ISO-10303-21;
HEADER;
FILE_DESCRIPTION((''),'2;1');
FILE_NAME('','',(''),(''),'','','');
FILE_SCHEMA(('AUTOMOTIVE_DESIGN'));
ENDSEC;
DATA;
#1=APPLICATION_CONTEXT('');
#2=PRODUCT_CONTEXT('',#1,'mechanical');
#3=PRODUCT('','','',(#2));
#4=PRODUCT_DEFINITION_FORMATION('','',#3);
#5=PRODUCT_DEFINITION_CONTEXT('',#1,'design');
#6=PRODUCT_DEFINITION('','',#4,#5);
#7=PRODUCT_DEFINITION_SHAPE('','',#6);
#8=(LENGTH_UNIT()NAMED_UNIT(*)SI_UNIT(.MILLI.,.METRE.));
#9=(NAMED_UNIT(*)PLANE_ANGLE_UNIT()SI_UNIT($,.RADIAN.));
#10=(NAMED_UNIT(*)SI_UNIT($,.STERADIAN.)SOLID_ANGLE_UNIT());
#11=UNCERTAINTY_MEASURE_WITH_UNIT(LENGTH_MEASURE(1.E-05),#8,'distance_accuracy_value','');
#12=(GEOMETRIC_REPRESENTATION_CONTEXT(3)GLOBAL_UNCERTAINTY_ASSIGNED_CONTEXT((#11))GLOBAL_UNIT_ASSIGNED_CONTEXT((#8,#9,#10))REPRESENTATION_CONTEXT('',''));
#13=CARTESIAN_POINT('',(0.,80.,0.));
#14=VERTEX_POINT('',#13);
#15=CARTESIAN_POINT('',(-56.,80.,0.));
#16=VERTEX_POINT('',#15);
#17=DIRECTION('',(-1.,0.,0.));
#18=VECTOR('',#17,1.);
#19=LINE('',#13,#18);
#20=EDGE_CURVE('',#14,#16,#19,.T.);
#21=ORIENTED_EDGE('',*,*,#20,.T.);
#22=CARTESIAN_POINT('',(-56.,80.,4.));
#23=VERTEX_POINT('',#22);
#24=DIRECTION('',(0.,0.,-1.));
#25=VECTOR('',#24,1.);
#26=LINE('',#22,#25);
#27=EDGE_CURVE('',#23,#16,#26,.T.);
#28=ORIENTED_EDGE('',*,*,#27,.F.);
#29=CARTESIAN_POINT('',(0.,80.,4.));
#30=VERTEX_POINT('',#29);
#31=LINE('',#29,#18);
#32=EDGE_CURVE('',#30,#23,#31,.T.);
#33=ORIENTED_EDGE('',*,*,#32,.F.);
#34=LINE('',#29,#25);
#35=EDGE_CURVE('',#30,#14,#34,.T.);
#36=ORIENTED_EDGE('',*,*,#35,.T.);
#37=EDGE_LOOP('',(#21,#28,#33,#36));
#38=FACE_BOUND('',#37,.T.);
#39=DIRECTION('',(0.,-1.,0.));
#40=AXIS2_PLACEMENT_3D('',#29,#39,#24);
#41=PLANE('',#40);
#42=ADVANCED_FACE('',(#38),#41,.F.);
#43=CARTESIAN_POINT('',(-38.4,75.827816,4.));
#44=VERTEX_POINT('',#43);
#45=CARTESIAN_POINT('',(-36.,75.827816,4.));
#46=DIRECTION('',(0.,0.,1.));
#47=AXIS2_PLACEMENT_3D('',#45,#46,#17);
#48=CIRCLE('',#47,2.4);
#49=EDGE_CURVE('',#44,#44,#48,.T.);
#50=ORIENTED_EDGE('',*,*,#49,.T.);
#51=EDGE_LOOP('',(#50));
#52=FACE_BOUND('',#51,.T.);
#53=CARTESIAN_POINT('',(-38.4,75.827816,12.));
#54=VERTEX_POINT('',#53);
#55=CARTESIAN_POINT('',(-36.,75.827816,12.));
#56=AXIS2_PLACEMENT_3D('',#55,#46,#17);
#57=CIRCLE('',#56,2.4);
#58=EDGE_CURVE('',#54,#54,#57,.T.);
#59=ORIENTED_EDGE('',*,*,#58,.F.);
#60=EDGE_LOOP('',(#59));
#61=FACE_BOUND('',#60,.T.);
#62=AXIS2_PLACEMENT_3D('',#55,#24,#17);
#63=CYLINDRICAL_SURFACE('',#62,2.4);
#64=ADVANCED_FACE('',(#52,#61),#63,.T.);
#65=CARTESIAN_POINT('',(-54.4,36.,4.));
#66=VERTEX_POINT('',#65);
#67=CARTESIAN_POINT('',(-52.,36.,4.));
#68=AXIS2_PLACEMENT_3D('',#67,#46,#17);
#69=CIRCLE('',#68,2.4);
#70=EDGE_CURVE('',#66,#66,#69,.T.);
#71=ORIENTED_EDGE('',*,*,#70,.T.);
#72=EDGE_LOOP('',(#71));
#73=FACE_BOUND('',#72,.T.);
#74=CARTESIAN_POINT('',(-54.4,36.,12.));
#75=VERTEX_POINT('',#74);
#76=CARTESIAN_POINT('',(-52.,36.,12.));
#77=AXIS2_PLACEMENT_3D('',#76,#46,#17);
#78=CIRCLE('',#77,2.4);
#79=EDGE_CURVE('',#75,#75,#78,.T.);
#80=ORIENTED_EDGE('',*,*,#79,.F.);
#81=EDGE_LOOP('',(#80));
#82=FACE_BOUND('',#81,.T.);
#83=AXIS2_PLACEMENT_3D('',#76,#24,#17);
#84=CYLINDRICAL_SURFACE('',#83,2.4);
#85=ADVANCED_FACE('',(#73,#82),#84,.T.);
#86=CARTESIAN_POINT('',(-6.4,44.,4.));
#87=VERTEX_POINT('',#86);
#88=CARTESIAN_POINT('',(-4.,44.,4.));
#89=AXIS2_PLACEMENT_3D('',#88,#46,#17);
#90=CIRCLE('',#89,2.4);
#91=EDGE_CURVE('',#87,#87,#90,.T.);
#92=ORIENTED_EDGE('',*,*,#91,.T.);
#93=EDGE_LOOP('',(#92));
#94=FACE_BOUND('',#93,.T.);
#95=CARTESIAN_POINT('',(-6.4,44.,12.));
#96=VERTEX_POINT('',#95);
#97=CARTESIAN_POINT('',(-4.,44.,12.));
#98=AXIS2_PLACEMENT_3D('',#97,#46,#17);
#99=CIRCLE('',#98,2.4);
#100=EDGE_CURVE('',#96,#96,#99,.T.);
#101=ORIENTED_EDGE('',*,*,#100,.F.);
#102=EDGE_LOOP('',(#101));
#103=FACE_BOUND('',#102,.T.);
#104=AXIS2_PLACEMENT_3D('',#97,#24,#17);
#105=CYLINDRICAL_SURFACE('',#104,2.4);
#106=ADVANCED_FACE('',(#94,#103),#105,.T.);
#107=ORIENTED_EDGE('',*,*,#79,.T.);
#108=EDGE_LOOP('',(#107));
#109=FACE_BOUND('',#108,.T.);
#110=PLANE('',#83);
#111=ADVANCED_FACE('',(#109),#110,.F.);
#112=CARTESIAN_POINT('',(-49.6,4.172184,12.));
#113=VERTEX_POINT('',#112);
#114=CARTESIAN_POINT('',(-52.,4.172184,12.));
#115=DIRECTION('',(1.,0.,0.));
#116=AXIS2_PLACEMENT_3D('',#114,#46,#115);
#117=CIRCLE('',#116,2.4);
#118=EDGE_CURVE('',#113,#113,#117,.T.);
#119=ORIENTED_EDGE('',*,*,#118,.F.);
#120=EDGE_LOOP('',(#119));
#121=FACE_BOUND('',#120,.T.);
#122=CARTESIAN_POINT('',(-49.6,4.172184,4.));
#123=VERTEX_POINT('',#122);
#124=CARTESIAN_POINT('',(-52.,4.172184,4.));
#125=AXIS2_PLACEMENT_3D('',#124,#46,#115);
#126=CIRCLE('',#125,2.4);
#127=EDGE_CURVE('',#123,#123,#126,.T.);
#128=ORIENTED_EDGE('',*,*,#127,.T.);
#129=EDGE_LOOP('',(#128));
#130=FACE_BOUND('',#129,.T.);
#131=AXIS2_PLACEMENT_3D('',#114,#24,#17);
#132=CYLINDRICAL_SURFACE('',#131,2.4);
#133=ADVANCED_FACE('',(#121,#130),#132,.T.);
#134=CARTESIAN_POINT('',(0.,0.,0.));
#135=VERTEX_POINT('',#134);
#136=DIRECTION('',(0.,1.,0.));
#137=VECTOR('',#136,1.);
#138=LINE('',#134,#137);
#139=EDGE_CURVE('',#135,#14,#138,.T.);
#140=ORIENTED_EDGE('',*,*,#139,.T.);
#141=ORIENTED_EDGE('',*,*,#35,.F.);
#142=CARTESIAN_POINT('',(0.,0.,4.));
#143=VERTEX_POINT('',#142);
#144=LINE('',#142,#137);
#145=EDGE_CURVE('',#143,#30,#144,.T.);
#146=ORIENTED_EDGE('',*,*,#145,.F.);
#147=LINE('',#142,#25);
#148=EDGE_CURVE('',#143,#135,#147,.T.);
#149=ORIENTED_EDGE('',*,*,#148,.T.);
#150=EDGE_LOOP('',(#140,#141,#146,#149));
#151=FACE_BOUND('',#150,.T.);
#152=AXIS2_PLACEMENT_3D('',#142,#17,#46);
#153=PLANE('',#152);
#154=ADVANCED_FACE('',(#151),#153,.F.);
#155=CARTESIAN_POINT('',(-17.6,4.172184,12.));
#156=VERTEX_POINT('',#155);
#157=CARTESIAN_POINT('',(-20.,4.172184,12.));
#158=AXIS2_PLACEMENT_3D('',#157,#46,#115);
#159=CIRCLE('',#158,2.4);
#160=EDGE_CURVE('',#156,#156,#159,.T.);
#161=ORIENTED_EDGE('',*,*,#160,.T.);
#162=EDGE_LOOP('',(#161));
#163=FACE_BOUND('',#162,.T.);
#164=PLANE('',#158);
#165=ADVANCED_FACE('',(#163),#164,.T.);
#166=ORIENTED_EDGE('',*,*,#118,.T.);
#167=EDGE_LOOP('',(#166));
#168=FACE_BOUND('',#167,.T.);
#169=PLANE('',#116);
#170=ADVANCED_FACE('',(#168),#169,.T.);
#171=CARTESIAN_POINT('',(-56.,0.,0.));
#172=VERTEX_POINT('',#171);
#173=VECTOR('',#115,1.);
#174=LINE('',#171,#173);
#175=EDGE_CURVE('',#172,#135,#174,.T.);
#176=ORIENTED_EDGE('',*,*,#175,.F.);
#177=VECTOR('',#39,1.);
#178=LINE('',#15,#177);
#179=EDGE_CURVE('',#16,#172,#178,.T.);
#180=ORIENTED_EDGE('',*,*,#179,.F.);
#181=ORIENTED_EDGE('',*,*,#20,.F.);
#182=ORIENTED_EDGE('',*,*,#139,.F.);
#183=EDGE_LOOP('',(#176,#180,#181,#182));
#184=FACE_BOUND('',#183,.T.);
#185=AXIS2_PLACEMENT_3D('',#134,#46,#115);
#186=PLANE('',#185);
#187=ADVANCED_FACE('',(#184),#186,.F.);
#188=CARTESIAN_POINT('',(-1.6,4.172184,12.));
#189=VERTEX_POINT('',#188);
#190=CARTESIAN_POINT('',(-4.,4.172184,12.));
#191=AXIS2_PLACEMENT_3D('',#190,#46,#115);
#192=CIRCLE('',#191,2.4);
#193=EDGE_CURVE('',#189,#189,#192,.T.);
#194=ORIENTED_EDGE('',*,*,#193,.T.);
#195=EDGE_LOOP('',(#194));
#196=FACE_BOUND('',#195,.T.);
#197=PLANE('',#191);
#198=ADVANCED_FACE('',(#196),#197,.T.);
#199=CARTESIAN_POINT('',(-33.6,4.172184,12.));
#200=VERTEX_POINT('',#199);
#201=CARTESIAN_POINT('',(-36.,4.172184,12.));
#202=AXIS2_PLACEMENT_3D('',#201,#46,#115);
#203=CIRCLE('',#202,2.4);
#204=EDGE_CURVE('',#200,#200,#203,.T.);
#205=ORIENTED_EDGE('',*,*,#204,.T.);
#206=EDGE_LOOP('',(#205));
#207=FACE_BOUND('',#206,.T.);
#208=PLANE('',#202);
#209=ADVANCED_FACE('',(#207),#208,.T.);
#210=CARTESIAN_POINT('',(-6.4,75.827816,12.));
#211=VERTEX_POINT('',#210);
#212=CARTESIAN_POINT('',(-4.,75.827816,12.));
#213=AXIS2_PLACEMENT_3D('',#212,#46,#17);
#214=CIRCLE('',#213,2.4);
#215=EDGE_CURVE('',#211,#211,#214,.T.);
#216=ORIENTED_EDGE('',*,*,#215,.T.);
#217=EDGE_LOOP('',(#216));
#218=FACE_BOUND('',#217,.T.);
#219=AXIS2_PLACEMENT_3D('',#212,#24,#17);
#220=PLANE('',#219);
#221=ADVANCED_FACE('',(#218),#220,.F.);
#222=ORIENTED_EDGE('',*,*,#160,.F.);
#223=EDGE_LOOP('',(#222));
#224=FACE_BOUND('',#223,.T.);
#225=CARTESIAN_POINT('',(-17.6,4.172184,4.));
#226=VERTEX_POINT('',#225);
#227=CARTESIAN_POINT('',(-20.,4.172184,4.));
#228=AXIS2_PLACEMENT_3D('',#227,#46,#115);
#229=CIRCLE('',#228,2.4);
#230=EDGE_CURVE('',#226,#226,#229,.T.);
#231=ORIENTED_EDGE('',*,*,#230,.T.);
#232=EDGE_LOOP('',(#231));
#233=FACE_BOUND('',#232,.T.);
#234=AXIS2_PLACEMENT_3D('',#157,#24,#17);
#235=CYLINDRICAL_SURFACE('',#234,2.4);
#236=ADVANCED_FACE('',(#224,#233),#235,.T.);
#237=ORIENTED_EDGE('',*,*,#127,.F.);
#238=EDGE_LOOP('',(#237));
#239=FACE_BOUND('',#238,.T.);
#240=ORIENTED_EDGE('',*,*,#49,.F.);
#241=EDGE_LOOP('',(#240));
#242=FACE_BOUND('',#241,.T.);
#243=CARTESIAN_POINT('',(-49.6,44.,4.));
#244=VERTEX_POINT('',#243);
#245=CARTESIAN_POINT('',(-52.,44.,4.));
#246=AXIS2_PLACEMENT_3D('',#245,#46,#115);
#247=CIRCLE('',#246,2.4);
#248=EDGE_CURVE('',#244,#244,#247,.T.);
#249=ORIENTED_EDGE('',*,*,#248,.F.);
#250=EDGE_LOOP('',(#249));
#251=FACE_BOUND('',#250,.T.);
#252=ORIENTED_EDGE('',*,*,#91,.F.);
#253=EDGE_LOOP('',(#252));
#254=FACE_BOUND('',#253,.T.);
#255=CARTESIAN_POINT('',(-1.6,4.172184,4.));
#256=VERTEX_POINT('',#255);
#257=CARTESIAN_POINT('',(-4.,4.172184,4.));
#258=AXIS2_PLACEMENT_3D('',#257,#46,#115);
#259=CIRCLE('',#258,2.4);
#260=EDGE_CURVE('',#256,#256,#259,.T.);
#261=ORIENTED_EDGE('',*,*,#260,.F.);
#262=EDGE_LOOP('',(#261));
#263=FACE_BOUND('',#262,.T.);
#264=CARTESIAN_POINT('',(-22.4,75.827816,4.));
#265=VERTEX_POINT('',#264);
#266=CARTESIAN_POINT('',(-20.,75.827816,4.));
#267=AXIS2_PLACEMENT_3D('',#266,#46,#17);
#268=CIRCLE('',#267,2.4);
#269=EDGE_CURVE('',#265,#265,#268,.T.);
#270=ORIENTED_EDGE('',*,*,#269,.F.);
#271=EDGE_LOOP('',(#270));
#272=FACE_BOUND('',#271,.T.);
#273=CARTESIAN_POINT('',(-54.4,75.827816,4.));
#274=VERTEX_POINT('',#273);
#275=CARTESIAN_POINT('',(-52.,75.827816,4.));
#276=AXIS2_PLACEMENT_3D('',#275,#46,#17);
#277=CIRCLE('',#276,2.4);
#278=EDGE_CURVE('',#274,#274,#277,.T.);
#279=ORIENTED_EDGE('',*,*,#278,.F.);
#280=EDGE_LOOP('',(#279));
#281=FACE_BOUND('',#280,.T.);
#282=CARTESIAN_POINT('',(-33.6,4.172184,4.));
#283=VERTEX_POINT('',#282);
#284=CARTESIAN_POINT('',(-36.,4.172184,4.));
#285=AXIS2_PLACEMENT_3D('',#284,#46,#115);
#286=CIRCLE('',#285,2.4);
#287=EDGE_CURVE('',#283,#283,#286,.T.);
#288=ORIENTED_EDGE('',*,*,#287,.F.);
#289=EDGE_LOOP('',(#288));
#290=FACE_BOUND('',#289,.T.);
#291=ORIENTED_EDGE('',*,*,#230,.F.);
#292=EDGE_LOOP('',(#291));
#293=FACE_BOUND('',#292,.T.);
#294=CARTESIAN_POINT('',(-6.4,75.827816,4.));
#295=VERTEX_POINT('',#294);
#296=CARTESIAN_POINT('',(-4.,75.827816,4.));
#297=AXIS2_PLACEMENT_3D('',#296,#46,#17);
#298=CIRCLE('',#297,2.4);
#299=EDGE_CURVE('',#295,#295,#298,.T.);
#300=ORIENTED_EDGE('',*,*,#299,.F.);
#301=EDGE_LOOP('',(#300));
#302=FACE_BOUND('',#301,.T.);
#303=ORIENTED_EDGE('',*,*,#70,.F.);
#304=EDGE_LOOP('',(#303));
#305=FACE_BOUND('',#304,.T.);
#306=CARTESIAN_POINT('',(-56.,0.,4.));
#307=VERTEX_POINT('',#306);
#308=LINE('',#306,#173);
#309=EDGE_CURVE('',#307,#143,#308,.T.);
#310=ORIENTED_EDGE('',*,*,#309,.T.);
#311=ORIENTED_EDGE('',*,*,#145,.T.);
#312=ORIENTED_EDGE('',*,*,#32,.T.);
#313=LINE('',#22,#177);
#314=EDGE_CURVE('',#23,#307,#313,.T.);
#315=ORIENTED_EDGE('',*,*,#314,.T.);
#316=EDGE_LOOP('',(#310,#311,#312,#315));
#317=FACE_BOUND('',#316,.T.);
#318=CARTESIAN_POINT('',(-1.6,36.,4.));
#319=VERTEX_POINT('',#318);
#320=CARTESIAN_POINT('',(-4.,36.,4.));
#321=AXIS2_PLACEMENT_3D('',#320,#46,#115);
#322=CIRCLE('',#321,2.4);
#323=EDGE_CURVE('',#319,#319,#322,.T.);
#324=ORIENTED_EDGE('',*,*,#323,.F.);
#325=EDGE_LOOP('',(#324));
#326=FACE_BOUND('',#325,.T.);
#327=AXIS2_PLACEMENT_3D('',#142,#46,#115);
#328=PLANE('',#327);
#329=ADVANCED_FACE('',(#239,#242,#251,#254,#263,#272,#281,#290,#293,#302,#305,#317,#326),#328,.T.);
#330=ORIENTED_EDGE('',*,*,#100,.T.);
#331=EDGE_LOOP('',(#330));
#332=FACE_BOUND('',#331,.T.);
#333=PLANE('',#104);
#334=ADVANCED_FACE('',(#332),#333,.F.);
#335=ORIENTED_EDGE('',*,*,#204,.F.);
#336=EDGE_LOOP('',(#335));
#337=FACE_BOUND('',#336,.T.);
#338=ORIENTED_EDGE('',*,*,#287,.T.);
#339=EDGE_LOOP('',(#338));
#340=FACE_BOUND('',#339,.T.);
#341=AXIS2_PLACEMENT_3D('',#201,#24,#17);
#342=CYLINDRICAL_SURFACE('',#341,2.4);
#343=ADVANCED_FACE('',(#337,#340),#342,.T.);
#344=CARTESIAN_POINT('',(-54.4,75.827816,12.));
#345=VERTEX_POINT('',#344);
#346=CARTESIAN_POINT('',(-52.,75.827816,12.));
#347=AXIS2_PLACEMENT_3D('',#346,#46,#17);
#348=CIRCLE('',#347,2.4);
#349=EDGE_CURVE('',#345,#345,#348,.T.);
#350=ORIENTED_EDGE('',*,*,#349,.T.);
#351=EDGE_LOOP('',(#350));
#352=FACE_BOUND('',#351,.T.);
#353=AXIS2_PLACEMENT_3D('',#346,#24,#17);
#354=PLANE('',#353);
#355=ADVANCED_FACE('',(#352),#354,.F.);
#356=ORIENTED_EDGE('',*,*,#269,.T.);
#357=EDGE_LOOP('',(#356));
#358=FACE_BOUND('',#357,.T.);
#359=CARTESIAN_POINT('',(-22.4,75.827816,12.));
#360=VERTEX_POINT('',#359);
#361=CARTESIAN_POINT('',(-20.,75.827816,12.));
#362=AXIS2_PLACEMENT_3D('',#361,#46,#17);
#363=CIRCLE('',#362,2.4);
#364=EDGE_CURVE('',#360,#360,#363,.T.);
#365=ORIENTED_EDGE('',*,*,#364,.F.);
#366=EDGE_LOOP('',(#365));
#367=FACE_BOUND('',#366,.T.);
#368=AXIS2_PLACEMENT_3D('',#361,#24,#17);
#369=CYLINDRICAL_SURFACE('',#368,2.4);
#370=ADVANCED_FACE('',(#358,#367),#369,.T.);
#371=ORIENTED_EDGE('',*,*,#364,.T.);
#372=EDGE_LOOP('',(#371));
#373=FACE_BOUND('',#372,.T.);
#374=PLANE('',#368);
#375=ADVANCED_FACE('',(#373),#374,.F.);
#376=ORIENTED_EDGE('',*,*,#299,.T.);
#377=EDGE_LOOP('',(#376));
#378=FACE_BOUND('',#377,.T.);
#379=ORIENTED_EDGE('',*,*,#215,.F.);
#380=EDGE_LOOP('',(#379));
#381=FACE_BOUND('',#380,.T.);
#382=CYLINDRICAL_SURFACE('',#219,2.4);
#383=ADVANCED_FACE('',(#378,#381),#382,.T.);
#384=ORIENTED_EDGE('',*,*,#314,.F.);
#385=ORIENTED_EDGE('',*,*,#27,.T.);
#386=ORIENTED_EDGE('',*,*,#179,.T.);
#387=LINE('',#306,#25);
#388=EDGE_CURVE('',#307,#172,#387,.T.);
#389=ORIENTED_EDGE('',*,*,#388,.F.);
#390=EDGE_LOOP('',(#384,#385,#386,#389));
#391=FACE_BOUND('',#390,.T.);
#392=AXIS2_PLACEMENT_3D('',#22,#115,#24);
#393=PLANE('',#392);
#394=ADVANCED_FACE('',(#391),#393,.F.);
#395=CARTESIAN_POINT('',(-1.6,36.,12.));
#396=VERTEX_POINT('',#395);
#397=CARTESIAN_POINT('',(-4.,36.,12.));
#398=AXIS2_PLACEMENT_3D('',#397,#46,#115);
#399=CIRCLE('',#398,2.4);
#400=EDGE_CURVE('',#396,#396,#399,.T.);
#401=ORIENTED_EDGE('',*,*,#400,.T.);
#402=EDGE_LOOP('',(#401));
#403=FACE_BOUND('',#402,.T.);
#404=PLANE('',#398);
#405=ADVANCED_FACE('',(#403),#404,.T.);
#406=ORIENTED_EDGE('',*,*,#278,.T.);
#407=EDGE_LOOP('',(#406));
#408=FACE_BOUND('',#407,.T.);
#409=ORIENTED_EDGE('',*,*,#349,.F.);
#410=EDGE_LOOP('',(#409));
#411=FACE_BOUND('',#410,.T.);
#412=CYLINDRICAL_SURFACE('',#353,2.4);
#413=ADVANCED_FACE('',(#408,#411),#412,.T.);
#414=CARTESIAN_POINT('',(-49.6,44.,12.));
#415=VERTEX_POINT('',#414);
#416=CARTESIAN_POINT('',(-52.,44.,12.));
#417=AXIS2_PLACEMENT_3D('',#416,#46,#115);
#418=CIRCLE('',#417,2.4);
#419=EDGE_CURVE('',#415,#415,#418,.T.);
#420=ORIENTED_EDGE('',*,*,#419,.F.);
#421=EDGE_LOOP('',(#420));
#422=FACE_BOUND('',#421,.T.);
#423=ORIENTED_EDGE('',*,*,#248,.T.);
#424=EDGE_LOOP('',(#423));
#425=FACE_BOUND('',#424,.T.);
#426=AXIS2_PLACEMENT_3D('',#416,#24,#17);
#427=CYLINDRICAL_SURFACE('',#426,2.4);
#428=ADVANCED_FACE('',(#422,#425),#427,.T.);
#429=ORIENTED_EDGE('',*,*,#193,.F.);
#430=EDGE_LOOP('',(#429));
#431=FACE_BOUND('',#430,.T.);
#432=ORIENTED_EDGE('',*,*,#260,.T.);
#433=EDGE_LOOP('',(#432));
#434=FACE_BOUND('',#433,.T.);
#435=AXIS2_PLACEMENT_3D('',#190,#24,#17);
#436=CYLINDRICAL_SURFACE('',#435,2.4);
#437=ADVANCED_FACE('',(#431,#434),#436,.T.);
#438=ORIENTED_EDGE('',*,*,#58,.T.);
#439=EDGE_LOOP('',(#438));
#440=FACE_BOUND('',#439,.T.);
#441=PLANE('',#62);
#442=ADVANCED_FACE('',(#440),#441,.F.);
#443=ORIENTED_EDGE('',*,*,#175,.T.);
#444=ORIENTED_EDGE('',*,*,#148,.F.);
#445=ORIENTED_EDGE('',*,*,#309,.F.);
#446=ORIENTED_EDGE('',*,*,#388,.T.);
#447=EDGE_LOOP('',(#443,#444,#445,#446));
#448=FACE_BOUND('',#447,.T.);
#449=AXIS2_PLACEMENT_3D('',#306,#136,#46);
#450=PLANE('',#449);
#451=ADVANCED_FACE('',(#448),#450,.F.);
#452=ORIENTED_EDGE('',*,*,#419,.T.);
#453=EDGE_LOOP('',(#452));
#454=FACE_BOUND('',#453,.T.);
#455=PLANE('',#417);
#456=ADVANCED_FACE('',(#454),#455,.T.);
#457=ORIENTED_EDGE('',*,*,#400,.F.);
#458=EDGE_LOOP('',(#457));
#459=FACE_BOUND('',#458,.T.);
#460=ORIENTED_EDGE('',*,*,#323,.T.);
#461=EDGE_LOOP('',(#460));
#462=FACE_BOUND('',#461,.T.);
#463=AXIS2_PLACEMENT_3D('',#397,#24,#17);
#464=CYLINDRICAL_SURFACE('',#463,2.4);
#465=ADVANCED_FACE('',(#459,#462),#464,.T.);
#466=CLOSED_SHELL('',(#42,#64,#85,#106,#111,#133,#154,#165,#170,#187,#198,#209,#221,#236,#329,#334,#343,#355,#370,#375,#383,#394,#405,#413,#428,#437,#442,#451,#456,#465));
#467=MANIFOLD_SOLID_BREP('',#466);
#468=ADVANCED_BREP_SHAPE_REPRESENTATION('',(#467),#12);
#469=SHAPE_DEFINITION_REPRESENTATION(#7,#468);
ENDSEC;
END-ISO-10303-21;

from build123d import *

# Parameters (mm, degrees)
SKETCH1_W           = 80
SKETCH1_H           = 56
BOSS_EXTRUDE1_DEPTH = 4
SKETCH2_R           = 2.4
BOSS_EXTRUDE2_DEPTH = 8


with BuildPart() as part:
    # Sketch1 → Boss-Extrude1 (new body)
    with BuildSketch(Plane(origin=(0, 0, 0), x_dir=(0, 1, 0), z_dir=(0, 0, 1))):
        with Locations((40, 28)):
            Rectangle(SKETCH1_W, SKETCH1_H)
    extrude(amount=BOSS_EXTRUDE1_DEPTH)

    # Sketch2 → Boss-Extrude2 (add)
    with BuildSketch(Plane.XY.offset(4)):
        with Locations((-4, 4.172184478)):
            Circle(SKETCH2_R)
        with Locations((-20, 4.172184478)):
            Circle(SKETCH2_R)
        with Locations((-36, 4.172184478)):
            Circle(SKETCH2_R)
        with Locations((-52, 4.172184478)):
            Circle(SKETCH2_R)
        with Locations(Location((-52, 75.827815522, 0), (0, 0, 180))):
            Circle(SKETCH2_R)
        with Locations(Location((-36, 75.827815522, 0), (0, 0, 180))):
            Circle(SKETCH2_R)
        with Locations(Location((-20, 75.827815522, 0), (0, 0, 180))):
            Circle(SKETCH2_R)
        with Locations(Location((-4, 75.827815522, 0), (0, 0, 180))):
            Circle(SKETCH2_R)
        with Locations((-4, 36)):
            Circle(SKETCH2_R)
        with Locations(Location((-4, 44, 0), (0, 0, 180))):
            Circle(SKETCH2_R)
        with Locations((-52, 44)):
            Circle(SKETCH2_R)
        with Locations(Location((-52, 36, 0), (0, 0, 180))):
            Circle(SKETCH2_R)
    extrude(amount=BOSS_EXTRUDE2_DEPTH)


solid = part.part
